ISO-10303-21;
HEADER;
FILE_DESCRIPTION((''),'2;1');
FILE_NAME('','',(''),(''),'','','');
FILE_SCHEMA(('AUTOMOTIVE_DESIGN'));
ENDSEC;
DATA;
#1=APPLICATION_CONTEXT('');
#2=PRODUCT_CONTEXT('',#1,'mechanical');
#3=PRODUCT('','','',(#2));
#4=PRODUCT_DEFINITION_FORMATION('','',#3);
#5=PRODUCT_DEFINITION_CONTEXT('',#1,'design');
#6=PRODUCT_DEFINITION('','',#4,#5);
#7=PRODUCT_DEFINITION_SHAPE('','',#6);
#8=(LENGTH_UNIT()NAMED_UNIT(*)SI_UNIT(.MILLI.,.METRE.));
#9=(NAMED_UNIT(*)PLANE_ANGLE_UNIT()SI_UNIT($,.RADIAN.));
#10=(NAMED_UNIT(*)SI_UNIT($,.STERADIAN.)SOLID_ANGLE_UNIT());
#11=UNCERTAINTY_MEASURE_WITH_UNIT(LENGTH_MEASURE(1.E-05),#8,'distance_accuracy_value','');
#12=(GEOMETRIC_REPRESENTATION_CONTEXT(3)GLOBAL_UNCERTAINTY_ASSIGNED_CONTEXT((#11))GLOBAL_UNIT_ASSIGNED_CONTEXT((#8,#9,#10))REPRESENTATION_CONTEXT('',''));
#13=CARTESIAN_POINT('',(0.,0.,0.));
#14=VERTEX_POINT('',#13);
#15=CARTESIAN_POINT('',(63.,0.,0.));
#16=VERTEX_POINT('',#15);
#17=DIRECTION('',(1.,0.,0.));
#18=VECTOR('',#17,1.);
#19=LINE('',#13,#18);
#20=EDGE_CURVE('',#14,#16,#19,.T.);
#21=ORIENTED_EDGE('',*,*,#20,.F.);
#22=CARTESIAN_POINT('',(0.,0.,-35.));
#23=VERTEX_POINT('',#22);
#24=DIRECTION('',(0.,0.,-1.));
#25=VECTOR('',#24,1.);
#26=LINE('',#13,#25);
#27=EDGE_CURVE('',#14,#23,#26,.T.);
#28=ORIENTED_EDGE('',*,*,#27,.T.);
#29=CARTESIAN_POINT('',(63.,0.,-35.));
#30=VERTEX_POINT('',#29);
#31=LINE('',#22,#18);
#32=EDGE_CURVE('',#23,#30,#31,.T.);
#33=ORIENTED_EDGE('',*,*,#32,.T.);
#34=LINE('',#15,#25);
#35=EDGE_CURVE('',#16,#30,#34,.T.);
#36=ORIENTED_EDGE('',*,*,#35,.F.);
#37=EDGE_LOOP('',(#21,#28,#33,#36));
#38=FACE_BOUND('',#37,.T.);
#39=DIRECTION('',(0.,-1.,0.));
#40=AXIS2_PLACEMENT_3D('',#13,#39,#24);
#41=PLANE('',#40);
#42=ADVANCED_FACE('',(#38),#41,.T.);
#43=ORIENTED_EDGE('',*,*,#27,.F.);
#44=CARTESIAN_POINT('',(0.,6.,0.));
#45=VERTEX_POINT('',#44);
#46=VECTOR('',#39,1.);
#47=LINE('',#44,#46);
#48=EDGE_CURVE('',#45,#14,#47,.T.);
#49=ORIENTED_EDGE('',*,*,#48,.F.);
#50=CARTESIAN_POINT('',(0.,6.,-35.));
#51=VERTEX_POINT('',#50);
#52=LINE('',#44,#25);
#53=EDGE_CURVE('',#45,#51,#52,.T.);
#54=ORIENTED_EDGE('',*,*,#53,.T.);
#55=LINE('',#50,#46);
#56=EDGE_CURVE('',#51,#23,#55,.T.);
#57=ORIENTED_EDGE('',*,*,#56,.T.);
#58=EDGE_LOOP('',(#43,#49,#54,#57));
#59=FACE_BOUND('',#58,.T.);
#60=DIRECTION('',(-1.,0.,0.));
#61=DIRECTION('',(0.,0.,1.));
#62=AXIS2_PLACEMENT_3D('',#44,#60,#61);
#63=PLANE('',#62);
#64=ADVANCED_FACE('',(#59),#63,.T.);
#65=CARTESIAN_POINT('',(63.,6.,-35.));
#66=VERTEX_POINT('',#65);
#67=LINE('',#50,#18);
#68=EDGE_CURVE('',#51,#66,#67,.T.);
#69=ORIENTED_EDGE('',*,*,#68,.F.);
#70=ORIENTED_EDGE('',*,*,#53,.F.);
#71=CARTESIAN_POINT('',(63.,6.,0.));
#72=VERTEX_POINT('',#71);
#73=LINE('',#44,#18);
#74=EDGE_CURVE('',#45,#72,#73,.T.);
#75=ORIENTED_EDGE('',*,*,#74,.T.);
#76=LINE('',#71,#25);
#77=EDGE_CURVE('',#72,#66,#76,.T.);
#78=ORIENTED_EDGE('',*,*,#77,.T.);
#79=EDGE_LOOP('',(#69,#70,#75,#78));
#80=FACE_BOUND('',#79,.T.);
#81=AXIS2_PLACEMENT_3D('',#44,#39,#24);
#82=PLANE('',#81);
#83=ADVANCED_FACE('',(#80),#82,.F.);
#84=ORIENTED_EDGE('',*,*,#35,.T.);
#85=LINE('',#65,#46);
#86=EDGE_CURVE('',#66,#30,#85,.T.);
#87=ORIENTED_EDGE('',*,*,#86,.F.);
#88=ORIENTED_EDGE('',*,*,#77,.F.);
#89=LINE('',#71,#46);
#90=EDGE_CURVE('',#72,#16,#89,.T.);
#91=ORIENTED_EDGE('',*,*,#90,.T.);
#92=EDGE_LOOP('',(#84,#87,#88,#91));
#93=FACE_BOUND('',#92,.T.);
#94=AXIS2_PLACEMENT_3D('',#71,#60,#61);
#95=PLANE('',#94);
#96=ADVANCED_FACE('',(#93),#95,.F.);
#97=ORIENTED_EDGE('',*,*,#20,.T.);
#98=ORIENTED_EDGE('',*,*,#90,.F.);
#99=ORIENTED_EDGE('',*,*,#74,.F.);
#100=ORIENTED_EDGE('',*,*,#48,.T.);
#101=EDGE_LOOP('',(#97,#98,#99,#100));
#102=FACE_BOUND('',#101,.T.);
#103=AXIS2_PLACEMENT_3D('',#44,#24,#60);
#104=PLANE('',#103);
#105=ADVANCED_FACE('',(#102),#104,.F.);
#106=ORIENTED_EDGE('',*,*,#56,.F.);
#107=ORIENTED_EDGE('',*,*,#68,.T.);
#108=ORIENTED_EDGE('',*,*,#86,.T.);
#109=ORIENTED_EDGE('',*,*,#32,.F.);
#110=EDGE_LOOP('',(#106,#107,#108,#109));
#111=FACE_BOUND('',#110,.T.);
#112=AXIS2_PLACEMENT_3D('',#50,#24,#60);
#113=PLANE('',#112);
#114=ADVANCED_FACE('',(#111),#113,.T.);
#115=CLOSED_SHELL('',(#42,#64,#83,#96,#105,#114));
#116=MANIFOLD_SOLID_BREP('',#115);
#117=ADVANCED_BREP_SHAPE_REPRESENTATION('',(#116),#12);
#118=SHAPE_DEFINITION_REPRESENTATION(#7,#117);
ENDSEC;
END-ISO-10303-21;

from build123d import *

# Parameters (mm, degrees)
SKETCH_1_W      = 63
SKETCH_1_H      = 35
EXTRUDE_1_DEPTH = 6


with BuildPart() as part:
    # Эскиз1 → Бобышка-Вытянуть1 (new body)
    with BuildSketch(Plane(origin=(0, 0, 0), x_dir=(1, 0, 0), z_dir=(0, 1, 0))):
        with Locations((31.5, 17.5)):
            Rectangle(SKETCH_1_W, SKETCH_1_H)
    extrude(amount=EXTRUDE_1_DEPTH)


solid = part.part
